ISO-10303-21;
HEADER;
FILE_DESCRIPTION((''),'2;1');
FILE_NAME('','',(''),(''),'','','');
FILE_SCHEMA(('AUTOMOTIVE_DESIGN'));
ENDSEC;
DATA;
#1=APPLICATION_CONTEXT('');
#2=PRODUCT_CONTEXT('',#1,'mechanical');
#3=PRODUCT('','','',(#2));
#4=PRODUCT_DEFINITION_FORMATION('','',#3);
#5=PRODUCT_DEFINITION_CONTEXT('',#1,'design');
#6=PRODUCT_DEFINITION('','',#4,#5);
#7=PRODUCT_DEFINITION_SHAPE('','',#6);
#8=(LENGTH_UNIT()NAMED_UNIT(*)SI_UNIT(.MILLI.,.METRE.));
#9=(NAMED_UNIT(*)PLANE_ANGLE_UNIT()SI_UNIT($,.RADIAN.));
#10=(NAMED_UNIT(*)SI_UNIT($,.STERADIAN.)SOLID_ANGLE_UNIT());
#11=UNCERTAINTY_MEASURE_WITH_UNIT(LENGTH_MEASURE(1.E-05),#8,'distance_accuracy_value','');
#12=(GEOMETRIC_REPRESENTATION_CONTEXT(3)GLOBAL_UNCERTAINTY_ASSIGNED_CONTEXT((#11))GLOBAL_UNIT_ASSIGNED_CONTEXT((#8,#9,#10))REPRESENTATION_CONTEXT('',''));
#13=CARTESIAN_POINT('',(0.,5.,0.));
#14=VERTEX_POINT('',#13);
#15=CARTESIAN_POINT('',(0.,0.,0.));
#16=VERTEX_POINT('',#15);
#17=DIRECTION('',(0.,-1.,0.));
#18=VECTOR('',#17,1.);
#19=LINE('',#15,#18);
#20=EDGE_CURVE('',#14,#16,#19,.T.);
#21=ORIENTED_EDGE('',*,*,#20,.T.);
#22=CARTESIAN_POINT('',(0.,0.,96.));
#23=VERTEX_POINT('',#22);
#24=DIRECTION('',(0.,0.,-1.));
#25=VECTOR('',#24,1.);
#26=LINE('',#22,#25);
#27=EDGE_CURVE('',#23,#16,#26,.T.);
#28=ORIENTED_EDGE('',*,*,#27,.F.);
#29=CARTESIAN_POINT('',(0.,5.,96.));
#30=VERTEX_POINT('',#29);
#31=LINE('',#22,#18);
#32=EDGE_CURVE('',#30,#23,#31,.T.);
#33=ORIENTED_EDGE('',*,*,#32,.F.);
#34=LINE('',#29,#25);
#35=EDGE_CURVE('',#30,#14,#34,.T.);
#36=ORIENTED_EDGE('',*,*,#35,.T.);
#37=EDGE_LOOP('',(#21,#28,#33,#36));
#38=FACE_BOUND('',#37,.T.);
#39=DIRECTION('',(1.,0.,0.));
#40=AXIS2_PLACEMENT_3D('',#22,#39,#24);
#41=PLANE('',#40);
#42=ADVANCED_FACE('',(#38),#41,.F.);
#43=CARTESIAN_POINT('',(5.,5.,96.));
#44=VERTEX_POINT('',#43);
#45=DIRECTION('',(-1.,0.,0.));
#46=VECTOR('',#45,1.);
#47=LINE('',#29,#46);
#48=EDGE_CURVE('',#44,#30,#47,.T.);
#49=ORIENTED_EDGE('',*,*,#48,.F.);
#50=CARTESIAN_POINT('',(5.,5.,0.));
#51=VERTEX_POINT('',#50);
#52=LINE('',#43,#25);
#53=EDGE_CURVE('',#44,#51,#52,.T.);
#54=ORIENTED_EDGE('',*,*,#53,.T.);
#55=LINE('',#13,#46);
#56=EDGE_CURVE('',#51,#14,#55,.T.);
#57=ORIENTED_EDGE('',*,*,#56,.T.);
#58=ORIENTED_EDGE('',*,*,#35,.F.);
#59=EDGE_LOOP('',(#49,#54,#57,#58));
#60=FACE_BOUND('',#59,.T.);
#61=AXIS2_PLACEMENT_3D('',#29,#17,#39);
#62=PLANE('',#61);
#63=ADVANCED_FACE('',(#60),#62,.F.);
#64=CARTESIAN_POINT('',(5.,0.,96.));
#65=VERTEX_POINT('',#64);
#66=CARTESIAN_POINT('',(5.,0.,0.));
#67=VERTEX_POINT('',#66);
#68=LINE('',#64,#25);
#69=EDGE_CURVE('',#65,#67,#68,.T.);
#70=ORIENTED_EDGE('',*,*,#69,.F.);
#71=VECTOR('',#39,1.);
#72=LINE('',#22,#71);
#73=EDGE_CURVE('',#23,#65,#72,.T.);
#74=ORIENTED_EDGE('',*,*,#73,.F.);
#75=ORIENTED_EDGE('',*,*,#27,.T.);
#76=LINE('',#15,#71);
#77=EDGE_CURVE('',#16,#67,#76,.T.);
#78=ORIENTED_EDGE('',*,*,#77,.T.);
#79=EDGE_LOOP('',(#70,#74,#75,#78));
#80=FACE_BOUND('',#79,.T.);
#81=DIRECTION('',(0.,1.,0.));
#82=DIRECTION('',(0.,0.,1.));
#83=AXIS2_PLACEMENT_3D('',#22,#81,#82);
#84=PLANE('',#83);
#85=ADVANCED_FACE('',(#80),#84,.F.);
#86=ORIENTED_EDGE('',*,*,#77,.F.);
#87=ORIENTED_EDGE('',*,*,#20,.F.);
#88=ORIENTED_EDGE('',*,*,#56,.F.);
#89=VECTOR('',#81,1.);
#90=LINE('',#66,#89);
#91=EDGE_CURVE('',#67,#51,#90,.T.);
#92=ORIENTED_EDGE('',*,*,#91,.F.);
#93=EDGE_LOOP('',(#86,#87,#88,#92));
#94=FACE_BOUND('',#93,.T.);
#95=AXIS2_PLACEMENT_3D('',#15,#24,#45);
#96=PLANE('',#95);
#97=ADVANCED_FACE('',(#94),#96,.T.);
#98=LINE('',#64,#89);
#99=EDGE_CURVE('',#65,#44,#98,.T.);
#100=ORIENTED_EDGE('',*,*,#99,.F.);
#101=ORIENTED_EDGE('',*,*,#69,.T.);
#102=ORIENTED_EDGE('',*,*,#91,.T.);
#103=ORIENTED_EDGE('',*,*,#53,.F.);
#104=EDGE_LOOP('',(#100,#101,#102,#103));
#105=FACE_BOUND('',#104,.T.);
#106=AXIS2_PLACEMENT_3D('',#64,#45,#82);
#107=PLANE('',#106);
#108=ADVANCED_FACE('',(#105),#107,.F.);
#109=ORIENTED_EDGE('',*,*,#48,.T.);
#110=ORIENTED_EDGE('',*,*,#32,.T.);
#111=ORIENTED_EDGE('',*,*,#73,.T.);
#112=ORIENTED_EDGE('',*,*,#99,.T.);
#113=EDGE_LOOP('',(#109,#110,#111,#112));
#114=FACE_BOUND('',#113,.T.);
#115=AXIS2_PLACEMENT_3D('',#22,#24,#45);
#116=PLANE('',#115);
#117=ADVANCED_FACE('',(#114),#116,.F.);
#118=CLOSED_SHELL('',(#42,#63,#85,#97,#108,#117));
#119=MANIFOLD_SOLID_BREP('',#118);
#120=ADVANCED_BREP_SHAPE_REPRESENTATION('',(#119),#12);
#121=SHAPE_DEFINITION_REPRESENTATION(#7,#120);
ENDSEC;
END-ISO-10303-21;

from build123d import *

# Parameters (mm, degrees)
SKETCH1_W           = 5
SKETCH1_H           = 5
BOSS_EXTRUDE1_DEPTH = 96


with BuildPart() as part:
    # Sketch1 → Boss-Extrude1 (new body)
    with BuildSketch(Plane.XY):
        with Locations((2.5, 2.5)):
            Rectangle(SKETCH1_W, SKETCH1_H)
    extrude(amount=BOSS_EXTRUDE1_DEPTH)


solid = part.part
